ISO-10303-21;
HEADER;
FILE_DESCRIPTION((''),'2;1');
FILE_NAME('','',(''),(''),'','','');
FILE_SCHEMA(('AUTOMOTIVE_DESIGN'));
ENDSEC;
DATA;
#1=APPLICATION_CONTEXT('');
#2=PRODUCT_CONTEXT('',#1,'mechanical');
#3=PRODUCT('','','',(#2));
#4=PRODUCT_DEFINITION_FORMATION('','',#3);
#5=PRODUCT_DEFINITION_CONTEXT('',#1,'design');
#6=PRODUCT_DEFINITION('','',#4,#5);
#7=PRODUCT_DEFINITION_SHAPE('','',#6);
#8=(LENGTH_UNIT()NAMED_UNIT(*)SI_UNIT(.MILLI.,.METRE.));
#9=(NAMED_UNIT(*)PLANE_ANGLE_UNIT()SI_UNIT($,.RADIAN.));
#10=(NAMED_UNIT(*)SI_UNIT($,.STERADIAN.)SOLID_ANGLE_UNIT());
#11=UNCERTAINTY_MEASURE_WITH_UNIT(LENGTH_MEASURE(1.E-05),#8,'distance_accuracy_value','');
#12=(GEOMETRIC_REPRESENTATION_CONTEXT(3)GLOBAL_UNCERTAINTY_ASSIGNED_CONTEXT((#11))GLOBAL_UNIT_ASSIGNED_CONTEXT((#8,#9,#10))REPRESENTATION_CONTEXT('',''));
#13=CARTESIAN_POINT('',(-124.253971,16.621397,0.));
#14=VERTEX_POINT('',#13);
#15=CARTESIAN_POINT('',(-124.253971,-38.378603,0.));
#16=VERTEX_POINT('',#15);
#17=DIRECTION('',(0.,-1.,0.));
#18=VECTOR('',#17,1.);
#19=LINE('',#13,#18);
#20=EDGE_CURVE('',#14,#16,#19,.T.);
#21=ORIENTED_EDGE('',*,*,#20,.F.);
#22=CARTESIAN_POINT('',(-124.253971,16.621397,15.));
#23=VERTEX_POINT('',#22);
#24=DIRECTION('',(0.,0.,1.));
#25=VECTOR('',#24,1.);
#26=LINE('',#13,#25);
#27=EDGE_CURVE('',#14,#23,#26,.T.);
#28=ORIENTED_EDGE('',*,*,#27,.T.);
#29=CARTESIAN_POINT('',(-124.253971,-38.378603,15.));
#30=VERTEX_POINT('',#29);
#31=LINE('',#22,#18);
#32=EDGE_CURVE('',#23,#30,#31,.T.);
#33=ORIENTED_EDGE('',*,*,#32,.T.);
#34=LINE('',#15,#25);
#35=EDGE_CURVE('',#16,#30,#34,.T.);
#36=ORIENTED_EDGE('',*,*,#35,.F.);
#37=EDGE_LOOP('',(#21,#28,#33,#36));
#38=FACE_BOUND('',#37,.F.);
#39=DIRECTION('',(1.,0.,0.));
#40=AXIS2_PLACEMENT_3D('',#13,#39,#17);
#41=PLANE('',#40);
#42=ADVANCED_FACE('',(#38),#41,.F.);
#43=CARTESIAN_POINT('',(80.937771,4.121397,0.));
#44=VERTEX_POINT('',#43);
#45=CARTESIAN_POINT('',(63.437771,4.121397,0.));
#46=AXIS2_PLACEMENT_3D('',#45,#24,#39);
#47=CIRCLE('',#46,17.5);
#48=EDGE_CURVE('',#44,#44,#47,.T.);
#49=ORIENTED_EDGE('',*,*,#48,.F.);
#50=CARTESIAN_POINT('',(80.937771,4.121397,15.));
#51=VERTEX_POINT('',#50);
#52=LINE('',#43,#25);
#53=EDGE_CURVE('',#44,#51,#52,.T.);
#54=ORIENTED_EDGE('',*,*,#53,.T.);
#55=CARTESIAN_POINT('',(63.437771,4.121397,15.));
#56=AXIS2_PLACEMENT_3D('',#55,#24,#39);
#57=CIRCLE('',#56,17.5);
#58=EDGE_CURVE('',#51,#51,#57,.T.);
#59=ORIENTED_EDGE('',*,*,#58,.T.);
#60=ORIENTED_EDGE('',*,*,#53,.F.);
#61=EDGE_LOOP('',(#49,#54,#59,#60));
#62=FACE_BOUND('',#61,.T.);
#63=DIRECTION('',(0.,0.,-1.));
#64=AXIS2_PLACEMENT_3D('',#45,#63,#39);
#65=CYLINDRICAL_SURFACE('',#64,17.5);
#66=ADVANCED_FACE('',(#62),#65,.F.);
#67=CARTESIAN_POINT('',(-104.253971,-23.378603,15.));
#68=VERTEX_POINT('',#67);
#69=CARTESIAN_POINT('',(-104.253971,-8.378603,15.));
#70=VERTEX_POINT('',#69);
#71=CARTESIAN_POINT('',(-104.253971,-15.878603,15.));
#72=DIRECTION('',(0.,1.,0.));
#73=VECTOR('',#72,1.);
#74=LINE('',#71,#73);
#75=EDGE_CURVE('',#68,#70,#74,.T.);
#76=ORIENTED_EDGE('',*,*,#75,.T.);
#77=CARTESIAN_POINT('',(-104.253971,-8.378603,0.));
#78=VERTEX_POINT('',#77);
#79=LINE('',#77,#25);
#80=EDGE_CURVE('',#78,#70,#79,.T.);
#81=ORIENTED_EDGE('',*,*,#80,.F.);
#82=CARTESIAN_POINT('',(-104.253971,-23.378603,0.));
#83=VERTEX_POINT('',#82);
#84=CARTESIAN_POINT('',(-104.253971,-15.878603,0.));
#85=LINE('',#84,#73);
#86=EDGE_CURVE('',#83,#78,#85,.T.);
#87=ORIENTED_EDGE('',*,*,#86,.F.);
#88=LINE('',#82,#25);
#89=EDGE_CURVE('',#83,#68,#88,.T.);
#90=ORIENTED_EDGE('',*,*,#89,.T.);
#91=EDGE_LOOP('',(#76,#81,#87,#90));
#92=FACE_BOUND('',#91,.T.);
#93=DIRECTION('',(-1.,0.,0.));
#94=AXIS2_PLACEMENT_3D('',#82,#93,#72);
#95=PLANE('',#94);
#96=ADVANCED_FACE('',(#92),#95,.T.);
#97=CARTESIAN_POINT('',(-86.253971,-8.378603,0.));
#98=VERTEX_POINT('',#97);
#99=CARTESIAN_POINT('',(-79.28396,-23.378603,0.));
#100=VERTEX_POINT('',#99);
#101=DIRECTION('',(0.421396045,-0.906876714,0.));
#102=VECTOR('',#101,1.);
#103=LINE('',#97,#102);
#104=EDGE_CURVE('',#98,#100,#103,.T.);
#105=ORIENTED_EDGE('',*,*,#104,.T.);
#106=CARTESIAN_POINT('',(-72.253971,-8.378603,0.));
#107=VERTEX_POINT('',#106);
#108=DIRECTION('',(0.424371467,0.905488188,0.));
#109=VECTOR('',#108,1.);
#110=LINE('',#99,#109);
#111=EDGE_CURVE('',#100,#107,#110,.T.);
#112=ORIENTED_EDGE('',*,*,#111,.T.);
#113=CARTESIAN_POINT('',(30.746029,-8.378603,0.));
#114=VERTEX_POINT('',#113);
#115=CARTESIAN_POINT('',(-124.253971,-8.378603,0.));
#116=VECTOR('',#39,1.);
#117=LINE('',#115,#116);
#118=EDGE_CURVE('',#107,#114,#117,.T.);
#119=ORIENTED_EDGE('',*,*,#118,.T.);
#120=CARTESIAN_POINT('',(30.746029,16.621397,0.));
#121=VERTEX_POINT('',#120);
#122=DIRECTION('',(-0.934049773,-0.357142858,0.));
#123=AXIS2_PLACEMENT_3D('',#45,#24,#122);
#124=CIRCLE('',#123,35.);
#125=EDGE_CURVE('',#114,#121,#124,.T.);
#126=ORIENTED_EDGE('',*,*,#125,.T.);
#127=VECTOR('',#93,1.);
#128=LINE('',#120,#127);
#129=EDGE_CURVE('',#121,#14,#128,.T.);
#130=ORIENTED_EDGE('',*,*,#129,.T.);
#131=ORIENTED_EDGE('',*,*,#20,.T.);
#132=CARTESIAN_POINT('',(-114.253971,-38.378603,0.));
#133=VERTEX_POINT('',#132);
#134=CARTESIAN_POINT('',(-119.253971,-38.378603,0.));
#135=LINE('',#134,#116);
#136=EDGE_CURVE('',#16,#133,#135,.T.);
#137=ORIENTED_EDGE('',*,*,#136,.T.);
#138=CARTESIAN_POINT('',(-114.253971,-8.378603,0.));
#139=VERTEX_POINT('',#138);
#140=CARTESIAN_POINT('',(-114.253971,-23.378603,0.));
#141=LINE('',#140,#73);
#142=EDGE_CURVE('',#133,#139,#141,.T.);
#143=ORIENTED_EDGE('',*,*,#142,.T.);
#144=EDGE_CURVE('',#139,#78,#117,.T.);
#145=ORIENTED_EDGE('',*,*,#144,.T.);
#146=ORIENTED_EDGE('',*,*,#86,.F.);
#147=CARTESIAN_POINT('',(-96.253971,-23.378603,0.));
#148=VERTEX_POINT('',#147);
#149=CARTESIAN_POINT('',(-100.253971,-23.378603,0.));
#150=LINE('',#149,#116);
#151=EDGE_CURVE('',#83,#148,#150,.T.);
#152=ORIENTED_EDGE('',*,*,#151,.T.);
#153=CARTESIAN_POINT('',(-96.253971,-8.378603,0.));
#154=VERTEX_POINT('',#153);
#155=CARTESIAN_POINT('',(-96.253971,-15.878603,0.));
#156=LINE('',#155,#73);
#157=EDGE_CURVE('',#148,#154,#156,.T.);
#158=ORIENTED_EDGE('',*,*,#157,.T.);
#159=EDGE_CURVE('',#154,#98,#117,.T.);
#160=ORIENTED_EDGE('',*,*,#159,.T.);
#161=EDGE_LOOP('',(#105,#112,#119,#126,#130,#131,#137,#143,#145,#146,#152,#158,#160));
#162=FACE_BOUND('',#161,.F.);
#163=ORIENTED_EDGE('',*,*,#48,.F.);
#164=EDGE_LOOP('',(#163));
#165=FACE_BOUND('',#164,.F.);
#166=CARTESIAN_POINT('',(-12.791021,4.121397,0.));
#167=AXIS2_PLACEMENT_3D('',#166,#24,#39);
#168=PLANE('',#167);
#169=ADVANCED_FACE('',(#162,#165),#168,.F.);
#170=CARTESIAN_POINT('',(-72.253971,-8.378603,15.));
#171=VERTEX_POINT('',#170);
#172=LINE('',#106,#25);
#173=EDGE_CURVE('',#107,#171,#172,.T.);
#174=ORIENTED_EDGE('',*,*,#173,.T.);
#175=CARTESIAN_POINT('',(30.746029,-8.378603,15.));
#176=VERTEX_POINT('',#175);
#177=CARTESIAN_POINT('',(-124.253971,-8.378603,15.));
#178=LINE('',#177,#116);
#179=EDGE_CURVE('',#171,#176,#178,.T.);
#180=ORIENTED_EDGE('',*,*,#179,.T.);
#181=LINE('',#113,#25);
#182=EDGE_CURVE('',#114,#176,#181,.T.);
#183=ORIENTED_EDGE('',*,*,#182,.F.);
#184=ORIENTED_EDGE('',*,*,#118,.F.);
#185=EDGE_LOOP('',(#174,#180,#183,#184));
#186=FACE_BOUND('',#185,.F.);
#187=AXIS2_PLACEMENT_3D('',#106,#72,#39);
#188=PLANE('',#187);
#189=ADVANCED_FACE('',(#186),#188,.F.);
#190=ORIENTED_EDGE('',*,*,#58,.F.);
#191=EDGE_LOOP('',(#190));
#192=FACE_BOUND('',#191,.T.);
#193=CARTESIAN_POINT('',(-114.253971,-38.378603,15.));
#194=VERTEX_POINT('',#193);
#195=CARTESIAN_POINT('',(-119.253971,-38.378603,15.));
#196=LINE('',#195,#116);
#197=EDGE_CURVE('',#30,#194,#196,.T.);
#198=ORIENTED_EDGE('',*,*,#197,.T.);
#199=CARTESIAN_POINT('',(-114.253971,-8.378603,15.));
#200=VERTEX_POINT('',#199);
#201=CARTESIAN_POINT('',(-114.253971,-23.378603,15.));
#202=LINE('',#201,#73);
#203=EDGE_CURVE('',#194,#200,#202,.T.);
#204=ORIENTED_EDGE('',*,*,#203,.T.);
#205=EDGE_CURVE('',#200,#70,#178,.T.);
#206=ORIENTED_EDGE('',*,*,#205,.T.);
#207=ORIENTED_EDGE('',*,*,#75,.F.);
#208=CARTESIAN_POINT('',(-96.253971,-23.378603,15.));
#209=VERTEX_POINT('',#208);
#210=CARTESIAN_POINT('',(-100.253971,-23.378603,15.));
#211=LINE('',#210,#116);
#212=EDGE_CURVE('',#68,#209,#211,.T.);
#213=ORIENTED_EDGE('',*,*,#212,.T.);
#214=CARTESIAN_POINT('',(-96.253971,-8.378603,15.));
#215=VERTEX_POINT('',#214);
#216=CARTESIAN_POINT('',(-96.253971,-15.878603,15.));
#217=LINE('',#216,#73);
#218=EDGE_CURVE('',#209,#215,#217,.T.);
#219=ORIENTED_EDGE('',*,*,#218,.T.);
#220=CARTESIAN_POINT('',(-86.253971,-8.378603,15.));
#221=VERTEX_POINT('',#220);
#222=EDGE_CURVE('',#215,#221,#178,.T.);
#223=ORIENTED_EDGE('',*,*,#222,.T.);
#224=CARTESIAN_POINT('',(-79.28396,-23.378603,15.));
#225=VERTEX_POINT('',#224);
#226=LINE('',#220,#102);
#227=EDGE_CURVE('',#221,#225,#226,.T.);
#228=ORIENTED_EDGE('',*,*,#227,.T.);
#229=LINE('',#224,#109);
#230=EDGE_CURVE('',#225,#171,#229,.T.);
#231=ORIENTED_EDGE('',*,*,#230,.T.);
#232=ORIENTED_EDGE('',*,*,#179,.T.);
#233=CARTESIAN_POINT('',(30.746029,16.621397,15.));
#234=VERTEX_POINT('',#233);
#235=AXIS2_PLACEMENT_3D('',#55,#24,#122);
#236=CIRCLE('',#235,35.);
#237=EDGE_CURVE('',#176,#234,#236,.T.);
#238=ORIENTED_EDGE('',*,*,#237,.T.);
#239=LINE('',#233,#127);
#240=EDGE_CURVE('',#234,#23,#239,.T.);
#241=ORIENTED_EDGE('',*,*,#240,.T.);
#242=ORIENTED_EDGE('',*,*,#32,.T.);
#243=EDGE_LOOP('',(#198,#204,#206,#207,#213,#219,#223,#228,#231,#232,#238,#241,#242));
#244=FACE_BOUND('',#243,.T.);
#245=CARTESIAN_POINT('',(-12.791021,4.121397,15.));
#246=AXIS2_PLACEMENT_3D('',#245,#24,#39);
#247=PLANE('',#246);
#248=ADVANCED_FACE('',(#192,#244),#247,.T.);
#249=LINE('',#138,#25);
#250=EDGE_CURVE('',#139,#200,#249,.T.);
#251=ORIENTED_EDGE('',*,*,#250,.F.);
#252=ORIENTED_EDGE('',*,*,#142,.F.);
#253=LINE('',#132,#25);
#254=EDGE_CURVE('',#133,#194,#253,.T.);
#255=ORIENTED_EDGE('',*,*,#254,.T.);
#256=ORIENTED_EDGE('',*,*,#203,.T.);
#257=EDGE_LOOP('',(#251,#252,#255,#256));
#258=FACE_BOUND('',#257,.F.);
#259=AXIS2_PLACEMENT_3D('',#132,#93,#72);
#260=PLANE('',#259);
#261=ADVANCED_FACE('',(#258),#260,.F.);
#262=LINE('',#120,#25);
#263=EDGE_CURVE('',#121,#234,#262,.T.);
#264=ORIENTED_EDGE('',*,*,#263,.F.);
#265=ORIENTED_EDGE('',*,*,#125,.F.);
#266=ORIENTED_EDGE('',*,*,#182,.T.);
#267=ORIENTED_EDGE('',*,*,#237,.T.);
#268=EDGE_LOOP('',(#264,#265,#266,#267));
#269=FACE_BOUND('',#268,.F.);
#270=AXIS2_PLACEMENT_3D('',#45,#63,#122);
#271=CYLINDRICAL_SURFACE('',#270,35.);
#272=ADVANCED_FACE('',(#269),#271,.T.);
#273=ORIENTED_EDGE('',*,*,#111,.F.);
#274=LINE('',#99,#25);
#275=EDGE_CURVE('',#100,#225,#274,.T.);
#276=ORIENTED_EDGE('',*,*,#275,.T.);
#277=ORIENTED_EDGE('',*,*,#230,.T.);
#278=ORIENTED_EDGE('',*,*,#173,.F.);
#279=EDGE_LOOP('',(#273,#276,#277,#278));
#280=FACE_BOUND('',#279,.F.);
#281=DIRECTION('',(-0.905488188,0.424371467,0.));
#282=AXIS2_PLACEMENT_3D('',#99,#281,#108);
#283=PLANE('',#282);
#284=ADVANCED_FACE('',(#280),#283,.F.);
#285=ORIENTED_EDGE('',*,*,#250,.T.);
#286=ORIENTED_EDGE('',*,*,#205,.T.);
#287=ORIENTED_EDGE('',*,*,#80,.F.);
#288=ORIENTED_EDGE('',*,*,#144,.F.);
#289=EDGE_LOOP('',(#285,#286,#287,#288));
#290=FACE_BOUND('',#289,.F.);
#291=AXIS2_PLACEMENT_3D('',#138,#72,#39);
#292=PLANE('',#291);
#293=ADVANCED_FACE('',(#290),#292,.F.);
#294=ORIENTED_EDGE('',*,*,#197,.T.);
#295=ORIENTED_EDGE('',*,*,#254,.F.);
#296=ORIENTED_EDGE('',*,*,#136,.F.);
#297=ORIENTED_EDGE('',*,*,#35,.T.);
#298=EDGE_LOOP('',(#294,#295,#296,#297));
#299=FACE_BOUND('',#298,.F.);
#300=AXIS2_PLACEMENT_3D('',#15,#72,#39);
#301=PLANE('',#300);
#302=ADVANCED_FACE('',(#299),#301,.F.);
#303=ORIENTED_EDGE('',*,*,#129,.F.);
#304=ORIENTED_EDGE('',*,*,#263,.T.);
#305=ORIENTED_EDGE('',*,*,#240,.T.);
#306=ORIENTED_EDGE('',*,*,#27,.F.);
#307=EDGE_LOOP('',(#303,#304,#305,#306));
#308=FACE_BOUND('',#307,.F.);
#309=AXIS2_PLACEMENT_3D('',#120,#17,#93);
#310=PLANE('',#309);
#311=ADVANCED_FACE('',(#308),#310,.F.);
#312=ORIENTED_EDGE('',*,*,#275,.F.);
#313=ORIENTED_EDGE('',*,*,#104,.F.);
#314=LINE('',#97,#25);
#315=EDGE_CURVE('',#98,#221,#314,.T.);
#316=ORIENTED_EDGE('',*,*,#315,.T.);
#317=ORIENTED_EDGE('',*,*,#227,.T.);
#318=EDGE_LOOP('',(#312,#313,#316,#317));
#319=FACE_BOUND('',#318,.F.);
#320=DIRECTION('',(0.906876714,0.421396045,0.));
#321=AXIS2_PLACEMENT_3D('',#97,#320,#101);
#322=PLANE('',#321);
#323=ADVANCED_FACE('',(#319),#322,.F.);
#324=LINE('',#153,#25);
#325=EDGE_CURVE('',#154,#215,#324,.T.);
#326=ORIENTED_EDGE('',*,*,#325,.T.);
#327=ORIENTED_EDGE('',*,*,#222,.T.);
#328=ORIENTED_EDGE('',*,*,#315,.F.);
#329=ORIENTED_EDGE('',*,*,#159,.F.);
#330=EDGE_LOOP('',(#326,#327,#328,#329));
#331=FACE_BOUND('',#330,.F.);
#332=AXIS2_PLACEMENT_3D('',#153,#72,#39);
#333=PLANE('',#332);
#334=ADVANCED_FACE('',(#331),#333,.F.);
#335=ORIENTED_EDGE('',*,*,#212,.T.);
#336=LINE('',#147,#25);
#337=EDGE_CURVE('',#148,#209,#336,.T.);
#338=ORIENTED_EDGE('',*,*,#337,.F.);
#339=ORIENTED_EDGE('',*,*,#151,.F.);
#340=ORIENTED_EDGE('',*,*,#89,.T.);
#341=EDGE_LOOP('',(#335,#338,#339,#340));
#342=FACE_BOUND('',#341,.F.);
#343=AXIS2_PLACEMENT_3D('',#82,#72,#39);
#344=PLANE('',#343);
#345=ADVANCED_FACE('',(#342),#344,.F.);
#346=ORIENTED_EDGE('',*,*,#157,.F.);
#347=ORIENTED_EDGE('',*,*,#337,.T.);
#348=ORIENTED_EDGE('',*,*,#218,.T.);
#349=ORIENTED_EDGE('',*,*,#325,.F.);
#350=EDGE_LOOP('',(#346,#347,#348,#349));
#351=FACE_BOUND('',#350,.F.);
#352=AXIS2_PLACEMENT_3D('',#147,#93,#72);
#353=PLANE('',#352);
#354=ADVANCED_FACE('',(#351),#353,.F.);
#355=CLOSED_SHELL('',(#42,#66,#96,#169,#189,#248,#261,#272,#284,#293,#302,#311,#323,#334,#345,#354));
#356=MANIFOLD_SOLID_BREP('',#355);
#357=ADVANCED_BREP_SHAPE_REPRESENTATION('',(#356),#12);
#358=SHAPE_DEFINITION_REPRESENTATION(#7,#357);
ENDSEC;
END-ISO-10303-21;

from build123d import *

# Parameters (mm, degrees)
F0_R     = 17.5
F0_W     = 10
F0_H     = 30
F0_W_2   = 8
F0_H_2   = 15
F1_DEPTH = 15


with BuildPart() as f1:
    # F0 (on Top) → F1 (new body)
    with BuildSketch(Plane.XY):
        with BuildLine():
            Line((30.746029, 16.621397), (-124.253971, 16.621397))
            Line((-124.253971, 16.621397), (-124.253971, -8.378603))
            Line((-124.253971, -8.378603), (-114.253971, -8.378603))
            Line((-114.253971, -8.378603), (-104.253971, -8.378603))
            Line((-104.253971, -8.378603), (-96.253971, -8.378603))
            Line((-96.253971, -8.378603), (-86.253971, -8.378603))
            Line((-86.253971, -8.378603), (-72.253971, -8.378603))
            Line((-72.253971, -8.378603), (30.746029, -8.378603))
            ThreePointArc((30.746029, -8.378603), (98.437771, 4.121397), (30.746029, 16.621397))
        make_face()
        with Locations((63.437771, 4.121397)):
            Circle(F0_R, mode=Mode.SUBTRACT)
        with Locations((-119.253971, -23.378603)):
            Rectangle(F0_W, F0_H)
        with Locations((-100.253971, -15.878603)):
            Rectangle(F0_W_2, F0_H_2)
        Polygon((-79.28396, -23.378603), (-72.253971, -8.378603), (-86.253971, -8.378603), align=None)
    extrude(amount=F1_DEPTH)


solid = f1.part
